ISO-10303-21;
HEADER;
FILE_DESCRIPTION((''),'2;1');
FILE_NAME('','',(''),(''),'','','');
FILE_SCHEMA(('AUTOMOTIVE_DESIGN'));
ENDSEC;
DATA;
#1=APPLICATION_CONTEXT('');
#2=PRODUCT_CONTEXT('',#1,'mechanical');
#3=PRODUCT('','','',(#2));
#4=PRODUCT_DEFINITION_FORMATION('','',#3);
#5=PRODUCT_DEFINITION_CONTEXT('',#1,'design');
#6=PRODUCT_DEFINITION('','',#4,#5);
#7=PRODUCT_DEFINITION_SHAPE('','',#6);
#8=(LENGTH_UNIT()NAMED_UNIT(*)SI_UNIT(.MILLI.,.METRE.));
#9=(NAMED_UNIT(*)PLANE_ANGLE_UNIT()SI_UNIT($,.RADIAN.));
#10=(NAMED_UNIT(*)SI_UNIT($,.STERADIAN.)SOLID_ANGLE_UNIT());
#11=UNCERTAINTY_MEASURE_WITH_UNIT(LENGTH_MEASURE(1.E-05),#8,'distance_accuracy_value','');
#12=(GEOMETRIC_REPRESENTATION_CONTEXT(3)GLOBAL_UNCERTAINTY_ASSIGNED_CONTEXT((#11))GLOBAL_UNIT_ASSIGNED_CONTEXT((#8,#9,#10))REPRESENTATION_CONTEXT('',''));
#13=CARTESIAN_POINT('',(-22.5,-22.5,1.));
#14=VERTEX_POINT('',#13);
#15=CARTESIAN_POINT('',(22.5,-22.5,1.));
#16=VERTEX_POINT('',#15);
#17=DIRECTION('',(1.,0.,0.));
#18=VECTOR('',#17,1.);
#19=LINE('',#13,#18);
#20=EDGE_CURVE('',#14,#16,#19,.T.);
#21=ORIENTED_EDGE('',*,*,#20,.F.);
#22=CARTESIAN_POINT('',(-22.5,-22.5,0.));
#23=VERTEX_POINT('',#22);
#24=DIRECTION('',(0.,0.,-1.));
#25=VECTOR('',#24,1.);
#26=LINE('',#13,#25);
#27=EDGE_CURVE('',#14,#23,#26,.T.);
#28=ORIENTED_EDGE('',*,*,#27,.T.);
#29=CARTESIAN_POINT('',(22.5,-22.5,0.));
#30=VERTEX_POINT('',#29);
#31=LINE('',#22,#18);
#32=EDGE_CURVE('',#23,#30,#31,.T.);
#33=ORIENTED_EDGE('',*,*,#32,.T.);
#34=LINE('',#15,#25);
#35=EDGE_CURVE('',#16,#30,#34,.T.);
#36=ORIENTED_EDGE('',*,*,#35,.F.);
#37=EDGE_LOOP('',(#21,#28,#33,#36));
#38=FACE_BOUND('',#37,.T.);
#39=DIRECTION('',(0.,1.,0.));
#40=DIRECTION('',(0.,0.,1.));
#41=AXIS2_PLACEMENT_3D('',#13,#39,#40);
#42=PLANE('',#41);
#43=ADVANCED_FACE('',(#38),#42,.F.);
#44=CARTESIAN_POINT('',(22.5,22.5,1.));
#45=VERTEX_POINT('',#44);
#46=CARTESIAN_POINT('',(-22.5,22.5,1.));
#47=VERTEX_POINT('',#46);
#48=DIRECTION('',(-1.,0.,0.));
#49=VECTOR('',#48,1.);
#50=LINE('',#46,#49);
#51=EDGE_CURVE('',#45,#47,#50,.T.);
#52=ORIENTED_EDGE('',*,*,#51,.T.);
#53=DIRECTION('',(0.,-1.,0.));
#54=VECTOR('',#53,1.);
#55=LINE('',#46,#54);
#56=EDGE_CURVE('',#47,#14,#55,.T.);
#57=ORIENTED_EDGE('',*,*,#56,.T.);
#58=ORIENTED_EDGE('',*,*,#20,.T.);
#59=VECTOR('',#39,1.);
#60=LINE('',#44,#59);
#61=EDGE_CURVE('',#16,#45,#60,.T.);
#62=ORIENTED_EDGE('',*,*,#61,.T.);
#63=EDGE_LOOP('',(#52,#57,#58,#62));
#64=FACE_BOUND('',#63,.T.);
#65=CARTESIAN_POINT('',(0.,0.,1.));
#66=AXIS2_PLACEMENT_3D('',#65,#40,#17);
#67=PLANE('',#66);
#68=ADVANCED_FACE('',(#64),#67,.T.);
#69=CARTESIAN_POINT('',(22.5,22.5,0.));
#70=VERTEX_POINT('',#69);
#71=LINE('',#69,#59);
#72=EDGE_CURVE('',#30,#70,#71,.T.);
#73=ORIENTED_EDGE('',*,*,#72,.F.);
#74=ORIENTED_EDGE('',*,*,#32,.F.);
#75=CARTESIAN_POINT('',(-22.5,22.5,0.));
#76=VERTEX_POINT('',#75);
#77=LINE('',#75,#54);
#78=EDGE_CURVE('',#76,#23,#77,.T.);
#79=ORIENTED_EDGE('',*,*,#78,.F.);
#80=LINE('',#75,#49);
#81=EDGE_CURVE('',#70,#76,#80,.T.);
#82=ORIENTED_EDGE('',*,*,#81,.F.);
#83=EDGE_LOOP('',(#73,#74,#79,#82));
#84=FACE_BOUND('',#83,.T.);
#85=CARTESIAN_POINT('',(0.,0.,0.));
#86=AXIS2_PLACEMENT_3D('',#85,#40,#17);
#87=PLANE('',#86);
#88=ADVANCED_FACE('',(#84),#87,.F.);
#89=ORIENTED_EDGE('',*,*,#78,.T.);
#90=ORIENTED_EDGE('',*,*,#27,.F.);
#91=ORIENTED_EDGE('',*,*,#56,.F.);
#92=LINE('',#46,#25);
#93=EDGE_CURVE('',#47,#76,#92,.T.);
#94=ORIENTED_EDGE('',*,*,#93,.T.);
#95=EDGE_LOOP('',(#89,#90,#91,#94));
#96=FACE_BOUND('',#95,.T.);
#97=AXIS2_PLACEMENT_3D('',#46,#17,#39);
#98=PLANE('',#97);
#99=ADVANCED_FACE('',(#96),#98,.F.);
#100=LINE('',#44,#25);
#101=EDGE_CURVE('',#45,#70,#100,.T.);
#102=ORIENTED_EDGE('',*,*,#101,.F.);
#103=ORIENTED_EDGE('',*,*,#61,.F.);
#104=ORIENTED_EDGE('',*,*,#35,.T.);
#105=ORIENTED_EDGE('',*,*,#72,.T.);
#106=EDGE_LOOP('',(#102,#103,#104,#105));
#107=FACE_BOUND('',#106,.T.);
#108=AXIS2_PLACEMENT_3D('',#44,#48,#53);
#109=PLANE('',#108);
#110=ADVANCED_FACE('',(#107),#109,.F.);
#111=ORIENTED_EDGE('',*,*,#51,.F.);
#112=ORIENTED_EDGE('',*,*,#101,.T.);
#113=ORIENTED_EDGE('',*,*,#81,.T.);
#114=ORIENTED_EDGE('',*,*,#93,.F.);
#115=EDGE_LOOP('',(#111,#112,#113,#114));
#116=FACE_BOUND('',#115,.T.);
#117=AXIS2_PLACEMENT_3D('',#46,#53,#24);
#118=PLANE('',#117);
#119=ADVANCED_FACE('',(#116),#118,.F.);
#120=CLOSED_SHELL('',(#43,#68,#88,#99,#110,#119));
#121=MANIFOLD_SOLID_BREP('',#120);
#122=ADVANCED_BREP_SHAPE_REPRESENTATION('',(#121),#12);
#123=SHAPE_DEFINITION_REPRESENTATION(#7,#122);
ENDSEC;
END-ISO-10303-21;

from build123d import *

# Parameters (mm, degrees)
SKETCH1_W           = 45
SKETCH1_H           = 45
BOSS_EXTRUDE1_DEPTH = 1


with BuildPart() as part:
    # Sketch1 → Boss-Extrude1 (new body)
    with BuildSketch(Plane.XY):
        Rectangle(SKETCH1_W, SKETCH1_H)
    extrude(amount=BOSS_EXTRUDE1_DEPTH)


solid = part.part
